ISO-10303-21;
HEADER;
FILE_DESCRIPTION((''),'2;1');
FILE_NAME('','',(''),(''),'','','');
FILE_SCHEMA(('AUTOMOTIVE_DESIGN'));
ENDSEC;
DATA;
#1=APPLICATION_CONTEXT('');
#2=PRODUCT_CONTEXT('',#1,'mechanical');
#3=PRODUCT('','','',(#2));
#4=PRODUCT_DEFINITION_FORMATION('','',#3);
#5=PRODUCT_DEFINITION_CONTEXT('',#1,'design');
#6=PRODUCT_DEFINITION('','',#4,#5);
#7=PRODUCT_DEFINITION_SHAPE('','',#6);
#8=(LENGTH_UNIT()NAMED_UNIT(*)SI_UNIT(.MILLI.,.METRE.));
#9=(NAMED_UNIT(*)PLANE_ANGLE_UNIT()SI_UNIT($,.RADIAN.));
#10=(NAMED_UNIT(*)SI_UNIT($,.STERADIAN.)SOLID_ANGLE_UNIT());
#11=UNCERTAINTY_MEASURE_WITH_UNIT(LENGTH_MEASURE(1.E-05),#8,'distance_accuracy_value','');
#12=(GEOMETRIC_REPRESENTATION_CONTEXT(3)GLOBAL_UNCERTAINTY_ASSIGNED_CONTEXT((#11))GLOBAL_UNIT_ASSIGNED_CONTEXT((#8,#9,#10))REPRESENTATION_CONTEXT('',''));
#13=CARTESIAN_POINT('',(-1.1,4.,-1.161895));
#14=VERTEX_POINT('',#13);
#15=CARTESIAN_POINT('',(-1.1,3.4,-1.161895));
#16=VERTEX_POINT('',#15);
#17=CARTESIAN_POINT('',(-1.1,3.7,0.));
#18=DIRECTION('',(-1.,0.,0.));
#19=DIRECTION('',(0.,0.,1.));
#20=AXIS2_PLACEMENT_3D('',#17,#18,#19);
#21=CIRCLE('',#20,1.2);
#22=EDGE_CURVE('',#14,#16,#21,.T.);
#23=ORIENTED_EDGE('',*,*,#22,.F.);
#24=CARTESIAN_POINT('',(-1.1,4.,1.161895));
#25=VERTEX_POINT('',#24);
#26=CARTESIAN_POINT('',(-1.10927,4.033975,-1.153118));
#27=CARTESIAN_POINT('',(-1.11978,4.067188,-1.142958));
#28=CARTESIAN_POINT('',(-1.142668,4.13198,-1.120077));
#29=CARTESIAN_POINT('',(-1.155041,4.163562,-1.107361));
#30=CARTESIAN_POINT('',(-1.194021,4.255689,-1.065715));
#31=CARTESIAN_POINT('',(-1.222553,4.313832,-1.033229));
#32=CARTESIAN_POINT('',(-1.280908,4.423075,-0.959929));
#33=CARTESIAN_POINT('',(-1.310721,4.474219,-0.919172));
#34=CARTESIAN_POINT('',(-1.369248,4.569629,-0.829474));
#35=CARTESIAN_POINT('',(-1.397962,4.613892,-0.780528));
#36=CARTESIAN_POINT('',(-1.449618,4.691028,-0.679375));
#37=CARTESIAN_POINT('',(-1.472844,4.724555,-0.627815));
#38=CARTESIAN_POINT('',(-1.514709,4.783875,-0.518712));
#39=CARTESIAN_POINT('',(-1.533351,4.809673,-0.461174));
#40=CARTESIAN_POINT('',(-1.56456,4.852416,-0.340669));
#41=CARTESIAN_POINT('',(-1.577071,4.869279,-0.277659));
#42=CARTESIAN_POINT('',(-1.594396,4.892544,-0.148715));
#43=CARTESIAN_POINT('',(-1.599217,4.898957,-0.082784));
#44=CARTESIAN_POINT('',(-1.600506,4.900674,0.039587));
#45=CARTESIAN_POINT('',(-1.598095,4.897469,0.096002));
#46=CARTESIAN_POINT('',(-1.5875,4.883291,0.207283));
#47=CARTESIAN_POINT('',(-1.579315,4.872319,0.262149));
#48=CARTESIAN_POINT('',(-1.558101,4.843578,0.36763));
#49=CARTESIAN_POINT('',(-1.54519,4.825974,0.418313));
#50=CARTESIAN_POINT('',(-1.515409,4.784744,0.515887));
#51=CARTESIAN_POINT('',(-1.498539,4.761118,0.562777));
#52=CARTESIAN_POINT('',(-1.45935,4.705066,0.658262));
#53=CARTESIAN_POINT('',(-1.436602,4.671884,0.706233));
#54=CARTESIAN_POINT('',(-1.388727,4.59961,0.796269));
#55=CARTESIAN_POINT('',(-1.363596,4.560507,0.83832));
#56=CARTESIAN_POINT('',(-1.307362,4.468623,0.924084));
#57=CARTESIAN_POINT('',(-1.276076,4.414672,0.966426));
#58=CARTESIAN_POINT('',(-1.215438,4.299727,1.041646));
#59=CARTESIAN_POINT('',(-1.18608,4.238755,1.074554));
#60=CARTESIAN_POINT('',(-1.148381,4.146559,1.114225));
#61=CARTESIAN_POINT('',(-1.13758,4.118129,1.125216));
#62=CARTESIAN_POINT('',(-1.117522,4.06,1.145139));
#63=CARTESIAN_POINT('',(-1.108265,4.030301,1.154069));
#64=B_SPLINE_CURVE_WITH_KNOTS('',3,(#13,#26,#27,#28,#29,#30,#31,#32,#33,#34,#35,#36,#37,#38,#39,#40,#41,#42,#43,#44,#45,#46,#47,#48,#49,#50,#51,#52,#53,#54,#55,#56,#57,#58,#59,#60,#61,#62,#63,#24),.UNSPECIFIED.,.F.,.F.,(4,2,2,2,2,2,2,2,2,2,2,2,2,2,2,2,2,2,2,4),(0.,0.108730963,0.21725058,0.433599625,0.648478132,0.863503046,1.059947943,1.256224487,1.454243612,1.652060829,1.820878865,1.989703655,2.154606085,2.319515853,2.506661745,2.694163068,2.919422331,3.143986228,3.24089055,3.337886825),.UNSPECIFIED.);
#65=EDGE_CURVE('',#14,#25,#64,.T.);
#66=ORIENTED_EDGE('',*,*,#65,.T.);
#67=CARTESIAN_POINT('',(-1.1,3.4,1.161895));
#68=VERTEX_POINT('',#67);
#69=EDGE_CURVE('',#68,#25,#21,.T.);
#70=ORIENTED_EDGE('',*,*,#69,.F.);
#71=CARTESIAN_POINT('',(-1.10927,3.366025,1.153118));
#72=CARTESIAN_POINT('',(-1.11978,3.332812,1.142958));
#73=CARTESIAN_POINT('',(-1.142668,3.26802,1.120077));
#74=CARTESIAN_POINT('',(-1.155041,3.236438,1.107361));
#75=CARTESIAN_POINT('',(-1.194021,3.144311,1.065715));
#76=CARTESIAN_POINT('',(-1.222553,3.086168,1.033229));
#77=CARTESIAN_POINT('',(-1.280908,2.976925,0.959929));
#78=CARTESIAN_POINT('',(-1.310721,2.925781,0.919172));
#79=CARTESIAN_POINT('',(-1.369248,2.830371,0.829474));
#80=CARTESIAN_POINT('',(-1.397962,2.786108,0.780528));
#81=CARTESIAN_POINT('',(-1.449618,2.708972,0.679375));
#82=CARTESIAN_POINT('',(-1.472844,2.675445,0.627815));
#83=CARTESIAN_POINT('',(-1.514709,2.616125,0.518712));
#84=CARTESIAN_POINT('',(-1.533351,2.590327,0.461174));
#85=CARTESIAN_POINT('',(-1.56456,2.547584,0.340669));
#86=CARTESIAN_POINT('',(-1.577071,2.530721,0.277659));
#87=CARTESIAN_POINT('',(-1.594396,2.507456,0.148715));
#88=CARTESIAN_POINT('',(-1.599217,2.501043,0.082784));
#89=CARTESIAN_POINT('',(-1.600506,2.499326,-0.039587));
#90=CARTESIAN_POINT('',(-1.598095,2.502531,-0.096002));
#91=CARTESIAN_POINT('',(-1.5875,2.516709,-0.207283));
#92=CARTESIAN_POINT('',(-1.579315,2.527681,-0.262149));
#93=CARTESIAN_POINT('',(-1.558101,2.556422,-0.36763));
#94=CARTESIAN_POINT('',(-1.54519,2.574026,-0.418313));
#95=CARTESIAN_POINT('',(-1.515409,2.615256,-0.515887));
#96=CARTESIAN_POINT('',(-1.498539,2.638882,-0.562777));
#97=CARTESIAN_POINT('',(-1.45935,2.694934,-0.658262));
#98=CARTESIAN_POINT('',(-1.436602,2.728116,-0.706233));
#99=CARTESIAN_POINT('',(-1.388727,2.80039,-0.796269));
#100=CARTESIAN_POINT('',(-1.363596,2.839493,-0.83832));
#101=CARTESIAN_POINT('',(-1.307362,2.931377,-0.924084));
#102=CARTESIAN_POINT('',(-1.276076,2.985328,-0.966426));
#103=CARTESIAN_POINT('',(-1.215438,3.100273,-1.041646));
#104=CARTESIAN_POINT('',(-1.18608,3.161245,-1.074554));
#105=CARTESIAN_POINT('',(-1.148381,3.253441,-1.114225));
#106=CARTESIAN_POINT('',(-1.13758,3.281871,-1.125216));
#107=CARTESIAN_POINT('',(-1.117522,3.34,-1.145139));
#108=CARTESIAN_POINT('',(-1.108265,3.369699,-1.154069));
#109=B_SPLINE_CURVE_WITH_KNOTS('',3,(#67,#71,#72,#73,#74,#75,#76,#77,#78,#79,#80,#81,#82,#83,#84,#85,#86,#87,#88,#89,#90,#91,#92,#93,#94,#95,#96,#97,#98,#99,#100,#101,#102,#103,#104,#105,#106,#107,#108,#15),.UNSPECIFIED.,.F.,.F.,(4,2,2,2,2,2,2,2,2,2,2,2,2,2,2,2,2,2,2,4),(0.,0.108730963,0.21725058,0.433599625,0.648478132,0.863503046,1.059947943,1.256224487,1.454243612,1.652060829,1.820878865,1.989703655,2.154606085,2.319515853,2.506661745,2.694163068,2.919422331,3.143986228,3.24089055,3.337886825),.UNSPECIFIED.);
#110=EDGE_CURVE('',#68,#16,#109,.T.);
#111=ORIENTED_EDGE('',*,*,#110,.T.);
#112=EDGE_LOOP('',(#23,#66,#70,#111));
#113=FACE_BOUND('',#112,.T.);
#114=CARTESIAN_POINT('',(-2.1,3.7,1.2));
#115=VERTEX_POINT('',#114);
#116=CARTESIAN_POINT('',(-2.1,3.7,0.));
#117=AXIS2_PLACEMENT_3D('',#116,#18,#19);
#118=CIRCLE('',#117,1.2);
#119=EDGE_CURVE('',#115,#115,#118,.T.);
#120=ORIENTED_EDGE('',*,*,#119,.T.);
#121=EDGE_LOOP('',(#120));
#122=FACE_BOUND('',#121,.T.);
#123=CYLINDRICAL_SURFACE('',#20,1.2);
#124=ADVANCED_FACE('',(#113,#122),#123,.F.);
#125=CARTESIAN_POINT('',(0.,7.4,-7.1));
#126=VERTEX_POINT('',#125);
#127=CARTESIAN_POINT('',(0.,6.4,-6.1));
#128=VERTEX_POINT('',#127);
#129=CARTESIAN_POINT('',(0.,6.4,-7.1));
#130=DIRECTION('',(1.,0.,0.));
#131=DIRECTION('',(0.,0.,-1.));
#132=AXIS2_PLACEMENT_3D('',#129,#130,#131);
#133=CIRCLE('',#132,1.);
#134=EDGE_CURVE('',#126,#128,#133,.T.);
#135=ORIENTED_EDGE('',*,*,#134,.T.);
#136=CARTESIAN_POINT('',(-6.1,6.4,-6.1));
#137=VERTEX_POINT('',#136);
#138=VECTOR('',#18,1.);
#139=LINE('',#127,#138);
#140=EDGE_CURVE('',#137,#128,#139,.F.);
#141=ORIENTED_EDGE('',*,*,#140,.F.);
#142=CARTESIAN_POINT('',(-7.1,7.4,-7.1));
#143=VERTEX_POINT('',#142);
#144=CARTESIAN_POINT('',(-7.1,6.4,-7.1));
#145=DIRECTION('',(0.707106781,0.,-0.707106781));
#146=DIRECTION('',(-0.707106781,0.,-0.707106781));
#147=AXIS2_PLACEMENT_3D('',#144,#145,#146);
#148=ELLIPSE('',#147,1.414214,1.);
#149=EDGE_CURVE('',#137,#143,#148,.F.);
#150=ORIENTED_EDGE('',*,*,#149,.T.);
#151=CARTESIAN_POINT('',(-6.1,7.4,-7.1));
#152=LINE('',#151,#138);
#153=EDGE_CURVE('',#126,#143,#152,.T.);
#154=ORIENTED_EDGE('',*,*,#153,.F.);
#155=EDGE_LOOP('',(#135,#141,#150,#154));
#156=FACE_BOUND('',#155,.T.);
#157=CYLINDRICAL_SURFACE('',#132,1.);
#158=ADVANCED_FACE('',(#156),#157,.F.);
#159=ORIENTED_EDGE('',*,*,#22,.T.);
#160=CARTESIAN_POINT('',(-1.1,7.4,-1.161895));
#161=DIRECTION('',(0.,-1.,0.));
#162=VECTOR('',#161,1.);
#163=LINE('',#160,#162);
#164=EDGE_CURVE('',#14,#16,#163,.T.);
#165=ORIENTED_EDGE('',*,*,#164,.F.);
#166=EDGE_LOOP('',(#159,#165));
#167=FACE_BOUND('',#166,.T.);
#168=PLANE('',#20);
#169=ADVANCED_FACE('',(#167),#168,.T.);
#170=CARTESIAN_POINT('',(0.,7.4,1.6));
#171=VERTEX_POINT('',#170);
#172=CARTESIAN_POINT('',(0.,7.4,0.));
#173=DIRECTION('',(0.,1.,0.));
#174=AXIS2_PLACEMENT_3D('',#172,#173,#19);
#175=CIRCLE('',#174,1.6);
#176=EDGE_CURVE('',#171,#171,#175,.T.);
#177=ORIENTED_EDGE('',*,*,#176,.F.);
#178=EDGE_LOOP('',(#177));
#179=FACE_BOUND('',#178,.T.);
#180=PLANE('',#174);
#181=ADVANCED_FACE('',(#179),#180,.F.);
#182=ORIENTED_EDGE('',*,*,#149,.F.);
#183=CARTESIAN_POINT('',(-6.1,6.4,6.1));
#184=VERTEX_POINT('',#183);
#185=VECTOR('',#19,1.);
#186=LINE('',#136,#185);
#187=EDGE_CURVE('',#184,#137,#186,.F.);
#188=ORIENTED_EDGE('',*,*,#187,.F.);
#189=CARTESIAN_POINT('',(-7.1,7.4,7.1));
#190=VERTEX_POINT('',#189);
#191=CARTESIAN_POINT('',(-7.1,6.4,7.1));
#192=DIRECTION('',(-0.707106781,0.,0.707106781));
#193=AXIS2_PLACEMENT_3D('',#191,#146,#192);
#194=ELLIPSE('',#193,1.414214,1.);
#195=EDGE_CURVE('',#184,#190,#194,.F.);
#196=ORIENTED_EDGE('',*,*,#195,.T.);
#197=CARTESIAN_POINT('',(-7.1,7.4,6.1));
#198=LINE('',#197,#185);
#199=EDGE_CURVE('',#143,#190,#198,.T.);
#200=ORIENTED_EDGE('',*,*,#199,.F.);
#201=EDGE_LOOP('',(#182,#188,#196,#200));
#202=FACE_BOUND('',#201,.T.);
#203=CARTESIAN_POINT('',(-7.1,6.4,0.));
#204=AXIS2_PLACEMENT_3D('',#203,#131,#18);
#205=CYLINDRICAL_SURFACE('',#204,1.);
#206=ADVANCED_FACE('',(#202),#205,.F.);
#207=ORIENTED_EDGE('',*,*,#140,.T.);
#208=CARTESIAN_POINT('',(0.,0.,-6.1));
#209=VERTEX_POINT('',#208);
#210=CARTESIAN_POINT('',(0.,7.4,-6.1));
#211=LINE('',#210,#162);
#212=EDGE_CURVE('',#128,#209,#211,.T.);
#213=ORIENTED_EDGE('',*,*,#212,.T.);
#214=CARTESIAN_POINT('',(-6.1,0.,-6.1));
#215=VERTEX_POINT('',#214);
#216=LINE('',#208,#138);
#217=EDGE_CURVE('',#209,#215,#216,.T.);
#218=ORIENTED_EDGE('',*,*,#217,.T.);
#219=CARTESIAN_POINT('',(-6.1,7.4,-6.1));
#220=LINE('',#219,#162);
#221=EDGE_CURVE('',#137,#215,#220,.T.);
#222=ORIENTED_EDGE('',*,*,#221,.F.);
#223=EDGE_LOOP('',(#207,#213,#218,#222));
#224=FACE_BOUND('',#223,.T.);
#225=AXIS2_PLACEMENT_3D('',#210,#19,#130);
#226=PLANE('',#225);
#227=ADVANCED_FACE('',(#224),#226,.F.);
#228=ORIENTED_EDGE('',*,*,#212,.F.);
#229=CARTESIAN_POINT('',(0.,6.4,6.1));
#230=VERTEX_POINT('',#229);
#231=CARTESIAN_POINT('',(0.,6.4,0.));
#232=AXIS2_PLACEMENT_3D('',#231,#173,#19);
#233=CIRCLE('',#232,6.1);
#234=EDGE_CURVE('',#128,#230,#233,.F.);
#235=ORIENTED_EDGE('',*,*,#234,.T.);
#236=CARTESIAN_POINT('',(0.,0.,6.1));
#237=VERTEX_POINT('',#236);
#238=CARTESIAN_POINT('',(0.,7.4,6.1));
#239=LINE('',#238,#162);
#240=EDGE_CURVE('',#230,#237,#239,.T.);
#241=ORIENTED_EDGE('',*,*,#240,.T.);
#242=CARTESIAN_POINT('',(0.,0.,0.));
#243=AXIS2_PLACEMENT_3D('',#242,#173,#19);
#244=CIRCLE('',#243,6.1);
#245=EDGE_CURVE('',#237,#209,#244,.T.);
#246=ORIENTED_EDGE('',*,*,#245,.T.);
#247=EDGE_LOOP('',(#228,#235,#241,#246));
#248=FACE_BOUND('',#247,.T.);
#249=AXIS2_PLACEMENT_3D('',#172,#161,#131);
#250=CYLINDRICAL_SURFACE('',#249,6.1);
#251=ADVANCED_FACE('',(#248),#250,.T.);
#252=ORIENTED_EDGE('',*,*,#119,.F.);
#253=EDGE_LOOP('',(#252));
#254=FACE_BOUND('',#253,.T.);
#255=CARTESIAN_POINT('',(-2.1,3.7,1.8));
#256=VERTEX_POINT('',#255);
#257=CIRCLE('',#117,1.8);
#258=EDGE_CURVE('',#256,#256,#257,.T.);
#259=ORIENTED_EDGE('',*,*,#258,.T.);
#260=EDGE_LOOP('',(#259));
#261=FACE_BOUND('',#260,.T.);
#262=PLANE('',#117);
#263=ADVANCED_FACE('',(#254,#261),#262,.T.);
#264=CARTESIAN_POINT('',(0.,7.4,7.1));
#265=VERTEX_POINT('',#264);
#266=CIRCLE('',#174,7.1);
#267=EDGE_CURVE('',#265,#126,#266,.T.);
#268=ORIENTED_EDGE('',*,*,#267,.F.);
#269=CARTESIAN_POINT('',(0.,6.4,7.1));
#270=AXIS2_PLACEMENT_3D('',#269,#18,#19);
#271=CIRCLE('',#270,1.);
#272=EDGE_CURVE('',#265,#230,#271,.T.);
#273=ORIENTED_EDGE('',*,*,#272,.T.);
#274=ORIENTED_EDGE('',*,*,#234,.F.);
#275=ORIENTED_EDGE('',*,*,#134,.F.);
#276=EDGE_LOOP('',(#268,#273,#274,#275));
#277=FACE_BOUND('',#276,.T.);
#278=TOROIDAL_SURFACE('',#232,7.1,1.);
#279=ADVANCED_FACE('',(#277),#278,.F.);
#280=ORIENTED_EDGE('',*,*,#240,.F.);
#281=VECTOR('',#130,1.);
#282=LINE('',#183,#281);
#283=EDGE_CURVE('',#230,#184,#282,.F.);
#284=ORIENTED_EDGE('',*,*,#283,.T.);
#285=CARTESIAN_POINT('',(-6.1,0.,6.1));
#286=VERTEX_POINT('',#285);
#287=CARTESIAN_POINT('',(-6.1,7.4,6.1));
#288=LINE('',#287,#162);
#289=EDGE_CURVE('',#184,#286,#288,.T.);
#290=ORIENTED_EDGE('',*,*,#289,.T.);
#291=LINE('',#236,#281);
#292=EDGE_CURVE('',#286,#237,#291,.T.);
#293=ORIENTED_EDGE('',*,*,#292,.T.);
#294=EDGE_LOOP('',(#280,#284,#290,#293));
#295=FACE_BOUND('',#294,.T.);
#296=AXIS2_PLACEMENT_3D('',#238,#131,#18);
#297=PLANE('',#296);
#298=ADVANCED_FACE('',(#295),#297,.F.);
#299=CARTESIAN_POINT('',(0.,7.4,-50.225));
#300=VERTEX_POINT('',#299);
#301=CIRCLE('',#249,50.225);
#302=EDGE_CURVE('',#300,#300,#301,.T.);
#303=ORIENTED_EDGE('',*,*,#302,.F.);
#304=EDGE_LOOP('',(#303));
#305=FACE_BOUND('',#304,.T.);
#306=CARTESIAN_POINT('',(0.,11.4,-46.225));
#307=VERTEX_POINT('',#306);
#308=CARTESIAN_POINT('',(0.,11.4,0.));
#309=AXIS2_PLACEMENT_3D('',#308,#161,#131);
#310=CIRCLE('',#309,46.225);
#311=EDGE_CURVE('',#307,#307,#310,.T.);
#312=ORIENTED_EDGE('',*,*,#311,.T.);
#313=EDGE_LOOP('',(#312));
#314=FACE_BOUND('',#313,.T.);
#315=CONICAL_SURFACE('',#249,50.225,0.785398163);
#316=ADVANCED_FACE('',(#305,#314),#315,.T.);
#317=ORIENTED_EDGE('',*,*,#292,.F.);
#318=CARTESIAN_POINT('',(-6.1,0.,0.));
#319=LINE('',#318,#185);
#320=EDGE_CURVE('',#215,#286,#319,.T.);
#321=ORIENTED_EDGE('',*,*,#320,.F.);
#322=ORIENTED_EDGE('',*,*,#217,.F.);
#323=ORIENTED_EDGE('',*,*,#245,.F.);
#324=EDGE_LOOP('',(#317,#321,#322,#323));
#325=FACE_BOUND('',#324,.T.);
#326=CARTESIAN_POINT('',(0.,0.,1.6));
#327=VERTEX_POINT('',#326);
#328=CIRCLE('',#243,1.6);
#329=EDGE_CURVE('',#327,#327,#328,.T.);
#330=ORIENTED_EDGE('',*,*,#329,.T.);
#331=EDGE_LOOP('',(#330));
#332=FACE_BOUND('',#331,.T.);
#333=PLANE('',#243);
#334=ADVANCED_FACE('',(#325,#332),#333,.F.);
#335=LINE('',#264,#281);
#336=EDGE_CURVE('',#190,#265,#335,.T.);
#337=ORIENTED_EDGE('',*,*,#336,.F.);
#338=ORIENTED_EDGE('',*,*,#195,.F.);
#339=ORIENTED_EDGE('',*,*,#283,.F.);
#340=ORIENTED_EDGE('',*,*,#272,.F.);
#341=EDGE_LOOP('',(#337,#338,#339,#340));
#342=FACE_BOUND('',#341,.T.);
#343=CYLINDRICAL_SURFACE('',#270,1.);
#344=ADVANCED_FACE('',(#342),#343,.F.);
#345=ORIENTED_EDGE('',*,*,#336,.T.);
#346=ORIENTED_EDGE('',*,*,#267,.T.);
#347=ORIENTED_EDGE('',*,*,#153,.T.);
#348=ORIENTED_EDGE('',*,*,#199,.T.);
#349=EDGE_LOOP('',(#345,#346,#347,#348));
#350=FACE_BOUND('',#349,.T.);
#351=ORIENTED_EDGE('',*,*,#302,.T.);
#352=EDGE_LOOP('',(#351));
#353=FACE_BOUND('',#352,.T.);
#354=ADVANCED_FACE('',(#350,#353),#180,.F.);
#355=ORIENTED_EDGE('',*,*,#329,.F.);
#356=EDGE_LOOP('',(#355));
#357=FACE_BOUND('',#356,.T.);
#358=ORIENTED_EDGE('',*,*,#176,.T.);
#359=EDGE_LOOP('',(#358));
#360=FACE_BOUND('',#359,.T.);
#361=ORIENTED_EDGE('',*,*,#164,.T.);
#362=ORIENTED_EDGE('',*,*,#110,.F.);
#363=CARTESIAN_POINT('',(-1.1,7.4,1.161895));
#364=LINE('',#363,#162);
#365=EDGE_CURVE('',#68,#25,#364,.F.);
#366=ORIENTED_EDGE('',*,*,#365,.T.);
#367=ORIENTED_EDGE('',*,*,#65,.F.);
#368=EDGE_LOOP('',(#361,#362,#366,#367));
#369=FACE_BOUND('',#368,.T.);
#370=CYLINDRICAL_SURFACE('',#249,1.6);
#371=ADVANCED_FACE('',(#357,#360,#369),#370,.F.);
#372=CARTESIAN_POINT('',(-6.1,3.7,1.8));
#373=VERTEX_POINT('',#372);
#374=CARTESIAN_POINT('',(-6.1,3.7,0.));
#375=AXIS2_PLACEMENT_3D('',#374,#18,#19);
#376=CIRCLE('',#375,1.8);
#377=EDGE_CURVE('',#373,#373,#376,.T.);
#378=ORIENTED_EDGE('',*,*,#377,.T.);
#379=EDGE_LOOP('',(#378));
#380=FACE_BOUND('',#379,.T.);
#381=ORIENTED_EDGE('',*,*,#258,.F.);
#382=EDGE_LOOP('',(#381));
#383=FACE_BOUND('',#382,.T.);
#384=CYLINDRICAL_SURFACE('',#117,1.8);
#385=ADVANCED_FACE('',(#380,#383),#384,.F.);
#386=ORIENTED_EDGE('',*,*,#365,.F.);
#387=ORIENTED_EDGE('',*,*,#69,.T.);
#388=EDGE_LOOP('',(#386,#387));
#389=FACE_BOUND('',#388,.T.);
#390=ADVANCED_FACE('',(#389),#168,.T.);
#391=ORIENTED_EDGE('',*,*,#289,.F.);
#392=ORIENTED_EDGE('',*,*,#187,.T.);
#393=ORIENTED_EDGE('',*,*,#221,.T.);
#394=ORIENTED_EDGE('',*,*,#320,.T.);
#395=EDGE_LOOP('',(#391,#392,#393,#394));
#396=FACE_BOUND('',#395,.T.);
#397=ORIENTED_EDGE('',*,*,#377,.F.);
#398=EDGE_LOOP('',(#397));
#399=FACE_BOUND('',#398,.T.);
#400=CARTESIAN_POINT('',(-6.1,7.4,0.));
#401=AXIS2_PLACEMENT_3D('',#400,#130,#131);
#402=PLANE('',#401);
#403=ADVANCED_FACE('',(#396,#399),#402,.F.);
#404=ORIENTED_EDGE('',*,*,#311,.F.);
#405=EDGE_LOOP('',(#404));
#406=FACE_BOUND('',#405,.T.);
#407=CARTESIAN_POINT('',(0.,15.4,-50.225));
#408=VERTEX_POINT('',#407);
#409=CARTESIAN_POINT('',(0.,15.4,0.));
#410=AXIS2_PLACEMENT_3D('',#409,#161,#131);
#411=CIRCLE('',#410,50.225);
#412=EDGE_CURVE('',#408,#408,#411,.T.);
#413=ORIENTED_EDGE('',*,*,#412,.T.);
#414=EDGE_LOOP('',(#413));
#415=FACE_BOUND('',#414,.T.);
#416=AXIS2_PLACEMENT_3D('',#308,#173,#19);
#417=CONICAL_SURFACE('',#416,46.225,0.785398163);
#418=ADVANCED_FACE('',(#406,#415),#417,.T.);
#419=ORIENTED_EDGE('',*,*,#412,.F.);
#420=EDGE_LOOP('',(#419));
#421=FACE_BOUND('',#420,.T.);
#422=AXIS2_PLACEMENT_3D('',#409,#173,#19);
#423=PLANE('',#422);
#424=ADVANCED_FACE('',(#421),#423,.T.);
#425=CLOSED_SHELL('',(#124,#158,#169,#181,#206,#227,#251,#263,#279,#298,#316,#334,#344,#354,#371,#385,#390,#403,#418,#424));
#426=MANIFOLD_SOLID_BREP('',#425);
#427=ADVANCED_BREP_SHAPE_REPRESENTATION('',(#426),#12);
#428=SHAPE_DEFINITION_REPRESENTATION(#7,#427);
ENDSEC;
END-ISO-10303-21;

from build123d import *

# Parameters (mm, degrees)
SKETCH1_R           = 6.1
SKETCH1_R_2         = 1.6
BOSS_EXTRUDE1_DEPTH = 7.4
SKETCH2_R           = 1.8
CUT_EXTRUDE2_DEPTH  = 4
SKETCH3_R           = 1.2
CUT_EXTRUDE3_DEPTH  = 1
SKETCH4_R           = 52.225
BOSS_EXTRUDE2_DEPTH = 8
FILLET1_R           = 1


with BuildPart() as part:
    # Sketch1 → Boss-Extrude1 (new body)
    # profile 1 of 3: a face of its own
    with BuildSketch(Plane(origin=(0, 0, 0), x_dir=(1, 0, 0), z_dir=(0, 1, 0))):
        Circle(SKETCH1_R)
        with Locations(Location((0, 0, 0), (0, 0, 270))):
            Circle(SKETCH1_R_2, mode=Mode.SUBTRACT)
    # profile 2 of 3: a face of its own
    with BuildSketch(Plane(origin=(0, 0, 0), x_dir=(1, 0, 0), z_dir=(0, 1, 0))):
        with BuildLine():
            ThreePointArc((0, -6.1), (-4.313351365, -4.313351365), (-6.1, 0))
            Line((-6.1, 0), (-6.1, -6.1))
            Line((-6.1, -6.1), (0, -6.1))
        make_face()
    # profile 3 of 3: a face of its own
    with BuildSketch(Plane(origin=(0, 0, 0), x_dir=(1, 0, 0), z_dir=(0, 1, 0))):
        with BuildLine():
            ThreePointArc((-6.1, 0), (-4.313351365, 4.313351365), (0, 6.1))
            Line((0, 6.1), (-6.1, 6.1))
            Line((-6.1, 6.1), (-6.1, 0))
        make_face()
    extrude(amount=BOSS_EXTRUDE1_DEPTH)

    # Sketch2 → Cut-Extrude2 (cut)
    with BuildSketch(Plane.ZY.offset(6.1)):
        with Locations((0, 3.7)):
            Circle(SKETCH2_R)
    extrude(amount=-CUT_EXTRUDE2_DEPTH, mode=Mode.SUBTRACT)

    # Sketch3 → Cut-Extrude3 (cut)
    with BuildSketch(Plane.ZY.offset(2.1)):
        with Locations((0, 3.7)):
            Circle(SKETCH3_R)
    extrude(amount=-CUT_EXTRUDE3_DEPTH, mode=Mode.SUBTRACT)

    # Sketch4 → Boss-Extrude2 (add)
    with BuildSketch(Plane(origin=(0, 7.4, 0), x_dir=(1, 0, 0), z_dir=(0, 1, 0))):
        with Locations(Location((0, 0, 0), (0, 0, 270))):
            Circle(SKETCH4_R)
    extrude(amount=BOSS_EXTRUDE2_DEPTH)

    # Sketch6 → Cut-Revolve1 (revolve, cut)
    with BuildSketch(Plane(origin=(0, 0, 0), x_dir=(0, 0, -1), z_dir=(1, 0, 0)), mode=Mode.PRIVATE) as cut_revolve1_sk:
        Polygon((-46.225, 11.4), (-50.225, 7.4), (-52.225, 7.4), (-52.225, 15.4), (-50.225, 15.4), align=None)
    revolve(cut_revolve1_sk.sketch.rotate(Axis((0, 0, 0), (0, 1, 0)), 180), axis=Axis((0, 0, 0), (0, 1, 0)), mode=Mode.SUBTRACT)

    # Fillet1
    fillet1_edges = [part.edges().sort_by_distance(p)[0] for p in [
        (6.1, 7.4, 0),
        (-3.05, 7.4, -6.1),
        (-6.1, 7.4, 0),
        (-3.05, 7.4, 6.1),
    ]]
    fillet(fillet1_edges, radius=FILLET1_R)


solid = part.part
